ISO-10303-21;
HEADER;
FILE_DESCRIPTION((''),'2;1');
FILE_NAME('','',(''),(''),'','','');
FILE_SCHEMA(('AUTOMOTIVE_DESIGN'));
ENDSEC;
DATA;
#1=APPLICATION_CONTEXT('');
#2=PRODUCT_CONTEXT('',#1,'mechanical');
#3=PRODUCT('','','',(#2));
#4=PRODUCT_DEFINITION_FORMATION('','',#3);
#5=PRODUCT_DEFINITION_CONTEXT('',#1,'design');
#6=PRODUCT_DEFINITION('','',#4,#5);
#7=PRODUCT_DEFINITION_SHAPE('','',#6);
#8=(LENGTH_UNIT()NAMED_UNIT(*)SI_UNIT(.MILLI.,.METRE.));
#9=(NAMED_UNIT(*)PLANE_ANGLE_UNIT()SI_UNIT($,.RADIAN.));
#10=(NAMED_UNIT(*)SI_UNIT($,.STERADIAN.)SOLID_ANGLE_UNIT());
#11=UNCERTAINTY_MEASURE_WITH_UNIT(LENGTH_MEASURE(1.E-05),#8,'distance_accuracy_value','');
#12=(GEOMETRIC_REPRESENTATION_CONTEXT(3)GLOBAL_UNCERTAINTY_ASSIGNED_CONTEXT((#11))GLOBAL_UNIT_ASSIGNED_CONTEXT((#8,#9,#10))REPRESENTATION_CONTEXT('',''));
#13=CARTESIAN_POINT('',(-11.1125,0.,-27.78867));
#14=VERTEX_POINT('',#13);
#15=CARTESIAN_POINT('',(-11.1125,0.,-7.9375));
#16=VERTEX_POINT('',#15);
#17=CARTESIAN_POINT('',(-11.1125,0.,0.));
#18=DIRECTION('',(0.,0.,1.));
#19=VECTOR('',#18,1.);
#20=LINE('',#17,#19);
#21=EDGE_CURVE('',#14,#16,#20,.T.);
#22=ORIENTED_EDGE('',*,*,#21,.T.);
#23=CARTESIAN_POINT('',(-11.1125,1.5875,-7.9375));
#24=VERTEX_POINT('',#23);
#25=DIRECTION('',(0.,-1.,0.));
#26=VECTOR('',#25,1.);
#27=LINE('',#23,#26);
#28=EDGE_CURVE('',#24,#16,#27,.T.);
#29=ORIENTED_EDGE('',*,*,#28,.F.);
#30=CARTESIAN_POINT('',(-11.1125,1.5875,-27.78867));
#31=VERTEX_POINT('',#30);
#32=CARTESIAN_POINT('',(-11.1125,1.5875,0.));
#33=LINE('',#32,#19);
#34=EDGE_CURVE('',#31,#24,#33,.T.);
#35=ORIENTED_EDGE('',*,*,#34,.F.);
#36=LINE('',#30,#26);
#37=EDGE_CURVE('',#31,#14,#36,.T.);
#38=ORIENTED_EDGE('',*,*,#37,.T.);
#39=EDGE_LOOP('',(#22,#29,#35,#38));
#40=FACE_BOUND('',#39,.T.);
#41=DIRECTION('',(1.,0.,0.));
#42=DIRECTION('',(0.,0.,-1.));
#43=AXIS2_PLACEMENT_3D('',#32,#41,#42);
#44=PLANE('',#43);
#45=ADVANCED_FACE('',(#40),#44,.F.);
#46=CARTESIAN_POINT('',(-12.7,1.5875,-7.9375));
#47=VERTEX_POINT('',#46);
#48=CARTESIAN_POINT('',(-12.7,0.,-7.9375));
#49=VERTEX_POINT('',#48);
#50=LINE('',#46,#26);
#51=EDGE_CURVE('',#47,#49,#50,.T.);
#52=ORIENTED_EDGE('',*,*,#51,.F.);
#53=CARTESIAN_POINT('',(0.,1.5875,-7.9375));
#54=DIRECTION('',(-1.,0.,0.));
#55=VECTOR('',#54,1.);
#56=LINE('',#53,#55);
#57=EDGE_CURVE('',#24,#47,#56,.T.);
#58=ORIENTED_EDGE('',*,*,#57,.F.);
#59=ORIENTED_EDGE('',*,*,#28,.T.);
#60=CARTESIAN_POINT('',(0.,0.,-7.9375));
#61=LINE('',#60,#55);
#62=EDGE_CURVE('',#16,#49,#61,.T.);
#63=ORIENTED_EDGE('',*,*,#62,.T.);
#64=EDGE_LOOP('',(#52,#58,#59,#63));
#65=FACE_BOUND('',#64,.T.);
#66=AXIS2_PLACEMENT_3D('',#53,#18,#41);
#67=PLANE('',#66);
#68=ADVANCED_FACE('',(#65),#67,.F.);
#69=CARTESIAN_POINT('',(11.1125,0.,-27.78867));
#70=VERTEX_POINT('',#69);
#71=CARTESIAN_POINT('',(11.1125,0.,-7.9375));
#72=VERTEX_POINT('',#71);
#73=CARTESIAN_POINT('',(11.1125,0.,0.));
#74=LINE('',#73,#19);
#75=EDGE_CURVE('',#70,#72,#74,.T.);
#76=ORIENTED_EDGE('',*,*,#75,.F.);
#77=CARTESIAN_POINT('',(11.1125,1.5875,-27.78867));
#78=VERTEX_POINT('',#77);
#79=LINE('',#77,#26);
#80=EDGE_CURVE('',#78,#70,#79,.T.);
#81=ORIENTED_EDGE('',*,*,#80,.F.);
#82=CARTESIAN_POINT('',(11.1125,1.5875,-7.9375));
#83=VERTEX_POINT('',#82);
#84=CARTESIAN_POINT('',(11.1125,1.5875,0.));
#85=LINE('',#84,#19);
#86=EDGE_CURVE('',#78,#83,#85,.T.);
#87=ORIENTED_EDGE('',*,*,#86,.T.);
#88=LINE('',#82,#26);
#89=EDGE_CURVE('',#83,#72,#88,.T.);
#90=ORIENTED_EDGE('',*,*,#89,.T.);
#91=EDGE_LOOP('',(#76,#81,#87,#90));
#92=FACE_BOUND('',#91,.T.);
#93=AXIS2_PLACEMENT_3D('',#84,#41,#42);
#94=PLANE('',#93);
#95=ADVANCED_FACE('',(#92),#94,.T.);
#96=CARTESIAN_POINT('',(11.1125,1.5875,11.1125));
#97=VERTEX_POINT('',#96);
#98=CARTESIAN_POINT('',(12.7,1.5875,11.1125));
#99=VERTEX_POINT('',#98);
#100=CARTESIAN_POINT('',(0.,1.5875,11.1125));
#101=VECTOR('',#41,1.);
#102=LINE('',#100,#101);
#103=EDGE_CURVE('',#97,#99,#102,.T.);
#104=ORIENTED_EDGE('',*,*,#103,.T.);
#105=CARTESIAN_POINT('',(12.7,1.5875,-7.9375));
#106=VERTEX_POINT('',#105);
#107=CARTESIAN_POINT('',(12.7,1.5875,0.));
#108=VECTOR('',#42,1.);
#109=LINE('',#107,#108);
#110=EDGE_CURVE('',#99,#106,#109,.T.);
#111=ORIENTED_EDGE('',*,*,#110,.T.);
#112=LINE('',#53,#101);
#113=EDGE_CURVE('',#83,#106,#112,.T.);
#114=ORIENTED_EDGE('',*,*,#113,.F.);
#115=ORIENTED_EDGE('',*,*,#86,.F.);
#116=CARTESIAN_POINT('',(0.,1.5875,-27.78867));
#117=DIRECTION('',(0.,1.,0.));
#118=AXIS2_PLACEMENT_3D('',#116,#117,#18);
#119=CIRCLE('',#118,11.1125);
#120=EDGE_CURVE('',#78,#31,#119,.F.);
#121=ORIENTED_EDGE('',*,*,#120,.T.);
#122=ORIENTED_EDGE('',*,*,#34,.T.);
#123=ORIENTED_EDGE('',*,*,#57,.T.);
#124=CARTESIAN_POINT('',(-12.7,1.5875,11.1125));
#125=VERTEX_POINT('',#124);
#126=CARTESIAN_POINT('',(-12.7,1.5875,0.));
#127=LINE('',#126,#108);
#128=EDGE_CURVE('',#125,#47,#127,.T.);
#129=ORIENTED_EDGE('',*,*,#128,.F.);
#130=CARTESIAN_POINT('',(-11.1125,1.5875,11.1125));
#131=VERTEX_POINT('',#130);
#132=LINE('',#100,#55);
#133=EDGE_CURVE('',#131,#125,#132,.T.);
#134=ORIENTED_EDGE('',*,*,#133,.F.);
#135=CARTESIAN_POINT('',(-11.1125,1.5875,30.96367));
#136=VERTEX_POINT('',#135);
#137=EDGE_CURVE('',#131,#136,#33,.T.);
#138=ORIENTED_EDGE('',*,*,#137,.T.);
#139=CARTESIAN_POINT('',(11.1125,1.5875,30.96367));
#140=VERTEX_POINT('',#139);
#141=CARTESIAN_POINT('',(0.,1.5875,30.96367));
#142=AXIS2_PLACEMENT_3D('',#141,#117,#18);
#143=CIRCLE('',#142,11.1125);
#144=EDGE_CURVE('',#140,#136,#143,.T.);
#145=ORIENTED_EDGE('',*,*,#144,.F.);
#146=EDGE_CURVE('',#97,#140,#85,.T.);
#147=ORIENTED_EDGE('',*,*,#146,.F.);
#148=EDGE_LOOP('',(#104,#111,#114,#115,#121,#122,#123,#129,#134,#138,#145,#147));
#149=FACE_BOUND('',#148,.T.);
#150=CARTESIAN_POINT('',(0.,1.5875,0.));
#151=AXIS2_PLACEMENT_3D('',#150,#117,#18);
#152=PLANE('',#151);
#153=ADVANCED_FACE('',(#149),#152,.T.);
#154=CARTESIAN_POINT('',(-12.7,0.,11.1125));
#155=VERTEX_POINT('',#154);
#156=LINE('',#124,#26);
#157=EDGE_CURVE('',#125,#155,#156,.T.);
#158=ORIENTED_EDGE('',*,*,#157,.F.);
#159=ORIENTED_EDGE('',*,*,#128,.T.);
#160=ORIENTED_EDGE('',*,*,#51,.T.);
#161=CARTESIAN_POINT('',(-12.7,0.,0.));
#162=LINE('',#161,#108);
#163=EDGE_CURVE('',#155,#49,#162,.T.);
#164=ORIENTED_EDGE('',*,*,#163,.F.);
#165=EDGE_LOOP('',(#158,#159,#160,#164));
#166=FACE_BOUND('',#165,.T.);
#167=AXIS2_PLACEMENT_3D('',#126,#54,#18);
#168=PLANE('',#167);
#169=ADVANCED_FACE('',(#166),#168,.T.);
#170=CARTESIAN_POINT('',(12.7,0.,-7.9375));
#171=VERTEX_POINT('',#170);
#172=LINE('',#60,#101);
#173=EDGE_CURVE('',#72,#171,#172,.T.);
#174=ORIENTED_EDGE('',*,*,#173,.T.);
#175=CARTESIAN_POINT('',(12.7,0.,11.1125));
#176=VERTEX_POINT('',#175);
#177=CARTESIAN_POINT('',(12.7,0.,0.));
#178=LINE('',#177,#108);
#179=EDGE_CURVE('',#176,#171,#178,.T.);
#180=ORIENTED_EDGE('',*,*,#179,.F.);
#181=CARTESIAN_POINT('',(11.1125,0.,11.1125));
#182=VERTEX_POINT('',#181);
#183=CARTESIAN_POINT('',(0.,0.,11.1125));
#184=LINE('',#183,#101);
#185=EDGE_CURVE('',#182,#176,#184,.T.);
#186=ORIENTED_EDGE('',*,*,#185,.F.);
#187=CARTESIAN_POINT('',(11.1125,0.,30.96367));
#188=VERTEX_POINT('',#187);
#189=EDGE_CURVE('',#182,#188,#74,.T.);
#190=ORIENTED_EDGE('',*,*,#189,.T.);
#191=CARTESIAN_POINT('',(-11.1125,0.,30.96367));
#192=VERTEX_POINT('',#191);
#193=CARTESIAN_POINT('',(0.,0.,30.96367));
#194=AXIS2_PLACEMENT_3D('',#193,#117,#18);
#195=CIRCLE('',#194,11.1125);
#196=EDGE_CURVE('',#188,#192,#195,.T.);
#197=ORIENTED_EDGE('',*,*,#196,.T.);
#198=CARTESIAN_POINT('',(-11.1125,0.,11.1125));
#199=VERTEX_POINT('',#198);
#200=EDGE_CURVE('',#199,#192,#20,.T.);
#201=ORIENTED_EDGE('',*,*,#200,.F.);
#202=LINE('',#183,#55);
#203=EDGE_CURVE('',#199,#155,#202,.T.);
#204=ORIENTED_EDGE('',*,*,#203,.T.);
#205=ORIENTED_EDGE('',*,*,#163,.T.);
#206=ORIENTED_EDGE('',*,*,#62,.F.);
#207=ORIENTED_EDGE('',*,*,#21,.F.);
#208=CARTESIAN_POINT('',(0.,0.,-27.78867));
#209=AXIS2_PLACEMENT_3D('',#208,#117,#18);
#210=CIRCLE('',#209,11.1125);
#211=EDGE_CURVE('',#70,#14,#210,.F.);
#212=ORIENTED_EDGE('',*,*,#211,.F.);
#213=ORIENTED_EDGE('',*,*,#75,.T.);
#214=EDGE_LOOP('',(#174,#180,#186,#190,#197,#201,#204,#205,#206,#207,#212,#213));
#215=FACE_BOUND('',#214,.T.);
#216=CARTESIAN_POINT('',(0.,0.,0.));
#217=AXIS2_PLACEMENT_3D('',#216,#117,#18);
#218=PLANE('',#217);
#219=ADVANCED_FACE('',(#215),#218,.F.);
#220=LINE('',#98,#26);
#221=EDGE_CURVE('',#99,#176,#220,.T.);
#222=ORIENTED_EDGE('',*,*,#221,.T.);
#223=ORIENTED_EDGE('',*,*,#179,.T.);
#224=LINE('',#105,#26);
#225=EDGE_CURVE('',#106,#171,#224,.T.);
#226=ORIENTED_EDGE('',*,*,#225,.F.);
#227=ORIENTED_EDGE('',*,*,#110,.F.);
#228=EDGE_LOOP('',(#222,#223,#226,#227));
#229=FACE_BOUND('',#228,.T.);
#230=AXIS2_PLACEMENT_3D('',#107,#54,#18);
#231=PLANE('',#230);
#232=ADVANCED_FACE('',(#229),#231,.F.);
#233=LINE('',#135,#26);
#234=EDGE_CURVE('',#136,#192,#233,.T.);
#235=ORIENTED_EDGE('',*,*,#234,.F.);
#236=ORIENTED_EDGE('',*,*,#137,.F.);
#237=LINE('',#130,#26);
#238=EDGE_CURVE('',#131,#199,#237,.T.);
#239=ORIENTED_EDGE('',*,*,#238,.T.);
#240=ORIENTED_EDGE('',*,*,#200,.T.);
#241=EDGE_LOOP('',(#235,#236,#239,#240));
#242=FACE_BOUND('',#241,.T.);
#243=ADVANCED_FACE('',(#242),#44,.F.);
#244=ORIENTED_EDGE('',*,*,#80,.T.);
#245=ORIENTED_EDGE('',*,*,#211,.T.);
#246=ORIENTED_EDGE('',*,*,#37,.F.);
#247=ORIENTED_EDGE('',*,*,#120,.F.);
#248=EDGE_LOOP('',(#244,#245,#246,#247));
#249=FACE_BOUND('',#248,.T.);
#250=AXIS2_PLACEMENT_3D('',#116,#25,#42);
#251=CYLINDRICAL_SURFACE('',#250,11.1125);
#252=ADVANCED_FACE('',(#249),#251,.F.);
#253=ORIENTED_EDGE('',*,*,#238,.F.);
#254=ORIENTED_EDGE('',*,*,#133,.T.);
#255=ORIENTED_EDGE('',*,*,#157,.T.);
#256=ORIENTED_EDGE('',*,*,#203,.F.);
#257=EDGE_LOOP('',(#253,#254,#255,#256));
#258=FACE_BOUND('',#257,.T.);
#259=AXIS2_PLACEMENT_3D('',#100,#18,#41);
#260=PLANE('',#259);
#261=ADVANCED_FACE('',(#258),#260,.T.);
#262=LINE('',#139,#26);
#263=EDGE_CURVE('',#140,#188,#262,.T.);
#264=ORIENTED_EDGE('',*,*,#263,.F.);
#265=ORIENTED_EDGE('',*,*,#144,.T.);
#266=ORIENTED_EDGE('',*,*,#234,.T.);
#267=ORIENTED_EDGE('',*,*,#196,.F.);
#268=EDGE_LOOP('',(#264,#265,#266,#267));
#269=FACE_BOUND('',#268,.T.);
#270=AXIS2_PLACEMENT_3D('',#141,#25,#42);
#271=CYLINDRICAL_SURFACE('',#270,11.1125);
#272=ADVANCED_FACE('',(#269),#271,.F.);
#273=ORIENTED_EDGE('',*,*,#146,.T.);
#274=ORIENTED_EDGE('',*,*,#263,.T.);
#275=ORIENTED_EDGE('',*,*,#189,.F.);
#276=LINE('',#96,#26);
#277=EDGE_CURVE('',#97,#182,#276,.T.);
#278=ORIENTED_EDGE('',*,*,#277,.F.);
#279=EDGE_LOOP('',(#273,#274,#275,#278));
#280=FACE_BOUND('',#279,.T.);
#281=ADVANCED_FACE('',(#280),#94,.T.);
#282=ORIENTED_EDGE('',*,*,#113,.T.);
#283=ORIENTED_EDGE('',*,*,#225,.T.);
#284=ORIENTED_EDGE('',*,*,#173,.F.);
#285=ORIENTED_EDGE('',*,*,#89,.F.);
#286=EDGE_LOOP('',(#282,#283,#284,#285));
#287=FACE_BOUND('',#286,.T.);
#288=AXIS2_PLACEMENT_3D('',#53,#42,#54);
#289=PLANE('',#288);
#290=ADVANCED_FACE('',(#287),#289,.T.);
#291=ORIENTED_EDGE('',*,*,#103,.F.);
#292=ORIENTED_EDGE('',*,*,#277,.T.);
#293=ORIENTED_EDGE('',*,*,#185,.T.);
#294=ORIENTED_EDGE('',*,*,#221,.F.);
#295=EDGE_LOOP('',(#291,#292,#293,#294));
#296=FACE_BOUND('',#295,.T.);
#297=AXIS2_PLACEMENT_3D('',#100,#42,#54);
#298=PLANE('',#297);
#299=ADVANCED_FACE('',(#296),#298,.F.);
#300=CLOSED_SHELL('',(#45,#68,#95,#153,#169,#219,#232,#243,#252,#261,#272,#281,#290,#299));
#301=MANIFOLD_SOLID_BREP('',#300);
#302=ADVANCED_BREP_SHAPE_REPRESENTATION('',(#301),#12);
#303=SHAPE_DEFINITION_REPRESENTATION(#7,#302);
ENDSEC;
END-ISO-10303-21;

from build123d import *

# Parameters (mm, degrees)
SKETCH1_W           = 1.5875
SKETCH1_H           = 19.05
BOSS_EXTRUDE1_DEPTH = 1.5875


with BuildPart() as part:
    # Sketch1 → Boss-Extrude1 (new body)
    with BuildSketch(Plane(origin=(0, 0, 0), x_dir=(1, 0, 0), z_dir=(0, 1, 0))):
        with BuildLine():
            Line((11.1125, 27.788669701), (11.1125, -30.963669701))
            ThreePointArc((11.1125, -30.963669701), (0, -19.851169701), (-11.1125, -30.963669701))
            Line((-11.1125, -30.963669701), (-11.1125, 27.788669701))
            ThreePointArc((-11.1125, 27.788669701), (0, 16.676169701), (11.1125, 27.788669701))
        make_face()
        with Locations((11.90625, -1.5875)):
            Rectangle(SKETCH1_W, SKETCH1_H)
        with Locations((-11.90625, -1.5875)):
            Rectangle(SKETCH1_W, SKETCH1_H)
    extrude(amount=BOSS_EXTRUDE1_DEPTH)


solid = part.part
